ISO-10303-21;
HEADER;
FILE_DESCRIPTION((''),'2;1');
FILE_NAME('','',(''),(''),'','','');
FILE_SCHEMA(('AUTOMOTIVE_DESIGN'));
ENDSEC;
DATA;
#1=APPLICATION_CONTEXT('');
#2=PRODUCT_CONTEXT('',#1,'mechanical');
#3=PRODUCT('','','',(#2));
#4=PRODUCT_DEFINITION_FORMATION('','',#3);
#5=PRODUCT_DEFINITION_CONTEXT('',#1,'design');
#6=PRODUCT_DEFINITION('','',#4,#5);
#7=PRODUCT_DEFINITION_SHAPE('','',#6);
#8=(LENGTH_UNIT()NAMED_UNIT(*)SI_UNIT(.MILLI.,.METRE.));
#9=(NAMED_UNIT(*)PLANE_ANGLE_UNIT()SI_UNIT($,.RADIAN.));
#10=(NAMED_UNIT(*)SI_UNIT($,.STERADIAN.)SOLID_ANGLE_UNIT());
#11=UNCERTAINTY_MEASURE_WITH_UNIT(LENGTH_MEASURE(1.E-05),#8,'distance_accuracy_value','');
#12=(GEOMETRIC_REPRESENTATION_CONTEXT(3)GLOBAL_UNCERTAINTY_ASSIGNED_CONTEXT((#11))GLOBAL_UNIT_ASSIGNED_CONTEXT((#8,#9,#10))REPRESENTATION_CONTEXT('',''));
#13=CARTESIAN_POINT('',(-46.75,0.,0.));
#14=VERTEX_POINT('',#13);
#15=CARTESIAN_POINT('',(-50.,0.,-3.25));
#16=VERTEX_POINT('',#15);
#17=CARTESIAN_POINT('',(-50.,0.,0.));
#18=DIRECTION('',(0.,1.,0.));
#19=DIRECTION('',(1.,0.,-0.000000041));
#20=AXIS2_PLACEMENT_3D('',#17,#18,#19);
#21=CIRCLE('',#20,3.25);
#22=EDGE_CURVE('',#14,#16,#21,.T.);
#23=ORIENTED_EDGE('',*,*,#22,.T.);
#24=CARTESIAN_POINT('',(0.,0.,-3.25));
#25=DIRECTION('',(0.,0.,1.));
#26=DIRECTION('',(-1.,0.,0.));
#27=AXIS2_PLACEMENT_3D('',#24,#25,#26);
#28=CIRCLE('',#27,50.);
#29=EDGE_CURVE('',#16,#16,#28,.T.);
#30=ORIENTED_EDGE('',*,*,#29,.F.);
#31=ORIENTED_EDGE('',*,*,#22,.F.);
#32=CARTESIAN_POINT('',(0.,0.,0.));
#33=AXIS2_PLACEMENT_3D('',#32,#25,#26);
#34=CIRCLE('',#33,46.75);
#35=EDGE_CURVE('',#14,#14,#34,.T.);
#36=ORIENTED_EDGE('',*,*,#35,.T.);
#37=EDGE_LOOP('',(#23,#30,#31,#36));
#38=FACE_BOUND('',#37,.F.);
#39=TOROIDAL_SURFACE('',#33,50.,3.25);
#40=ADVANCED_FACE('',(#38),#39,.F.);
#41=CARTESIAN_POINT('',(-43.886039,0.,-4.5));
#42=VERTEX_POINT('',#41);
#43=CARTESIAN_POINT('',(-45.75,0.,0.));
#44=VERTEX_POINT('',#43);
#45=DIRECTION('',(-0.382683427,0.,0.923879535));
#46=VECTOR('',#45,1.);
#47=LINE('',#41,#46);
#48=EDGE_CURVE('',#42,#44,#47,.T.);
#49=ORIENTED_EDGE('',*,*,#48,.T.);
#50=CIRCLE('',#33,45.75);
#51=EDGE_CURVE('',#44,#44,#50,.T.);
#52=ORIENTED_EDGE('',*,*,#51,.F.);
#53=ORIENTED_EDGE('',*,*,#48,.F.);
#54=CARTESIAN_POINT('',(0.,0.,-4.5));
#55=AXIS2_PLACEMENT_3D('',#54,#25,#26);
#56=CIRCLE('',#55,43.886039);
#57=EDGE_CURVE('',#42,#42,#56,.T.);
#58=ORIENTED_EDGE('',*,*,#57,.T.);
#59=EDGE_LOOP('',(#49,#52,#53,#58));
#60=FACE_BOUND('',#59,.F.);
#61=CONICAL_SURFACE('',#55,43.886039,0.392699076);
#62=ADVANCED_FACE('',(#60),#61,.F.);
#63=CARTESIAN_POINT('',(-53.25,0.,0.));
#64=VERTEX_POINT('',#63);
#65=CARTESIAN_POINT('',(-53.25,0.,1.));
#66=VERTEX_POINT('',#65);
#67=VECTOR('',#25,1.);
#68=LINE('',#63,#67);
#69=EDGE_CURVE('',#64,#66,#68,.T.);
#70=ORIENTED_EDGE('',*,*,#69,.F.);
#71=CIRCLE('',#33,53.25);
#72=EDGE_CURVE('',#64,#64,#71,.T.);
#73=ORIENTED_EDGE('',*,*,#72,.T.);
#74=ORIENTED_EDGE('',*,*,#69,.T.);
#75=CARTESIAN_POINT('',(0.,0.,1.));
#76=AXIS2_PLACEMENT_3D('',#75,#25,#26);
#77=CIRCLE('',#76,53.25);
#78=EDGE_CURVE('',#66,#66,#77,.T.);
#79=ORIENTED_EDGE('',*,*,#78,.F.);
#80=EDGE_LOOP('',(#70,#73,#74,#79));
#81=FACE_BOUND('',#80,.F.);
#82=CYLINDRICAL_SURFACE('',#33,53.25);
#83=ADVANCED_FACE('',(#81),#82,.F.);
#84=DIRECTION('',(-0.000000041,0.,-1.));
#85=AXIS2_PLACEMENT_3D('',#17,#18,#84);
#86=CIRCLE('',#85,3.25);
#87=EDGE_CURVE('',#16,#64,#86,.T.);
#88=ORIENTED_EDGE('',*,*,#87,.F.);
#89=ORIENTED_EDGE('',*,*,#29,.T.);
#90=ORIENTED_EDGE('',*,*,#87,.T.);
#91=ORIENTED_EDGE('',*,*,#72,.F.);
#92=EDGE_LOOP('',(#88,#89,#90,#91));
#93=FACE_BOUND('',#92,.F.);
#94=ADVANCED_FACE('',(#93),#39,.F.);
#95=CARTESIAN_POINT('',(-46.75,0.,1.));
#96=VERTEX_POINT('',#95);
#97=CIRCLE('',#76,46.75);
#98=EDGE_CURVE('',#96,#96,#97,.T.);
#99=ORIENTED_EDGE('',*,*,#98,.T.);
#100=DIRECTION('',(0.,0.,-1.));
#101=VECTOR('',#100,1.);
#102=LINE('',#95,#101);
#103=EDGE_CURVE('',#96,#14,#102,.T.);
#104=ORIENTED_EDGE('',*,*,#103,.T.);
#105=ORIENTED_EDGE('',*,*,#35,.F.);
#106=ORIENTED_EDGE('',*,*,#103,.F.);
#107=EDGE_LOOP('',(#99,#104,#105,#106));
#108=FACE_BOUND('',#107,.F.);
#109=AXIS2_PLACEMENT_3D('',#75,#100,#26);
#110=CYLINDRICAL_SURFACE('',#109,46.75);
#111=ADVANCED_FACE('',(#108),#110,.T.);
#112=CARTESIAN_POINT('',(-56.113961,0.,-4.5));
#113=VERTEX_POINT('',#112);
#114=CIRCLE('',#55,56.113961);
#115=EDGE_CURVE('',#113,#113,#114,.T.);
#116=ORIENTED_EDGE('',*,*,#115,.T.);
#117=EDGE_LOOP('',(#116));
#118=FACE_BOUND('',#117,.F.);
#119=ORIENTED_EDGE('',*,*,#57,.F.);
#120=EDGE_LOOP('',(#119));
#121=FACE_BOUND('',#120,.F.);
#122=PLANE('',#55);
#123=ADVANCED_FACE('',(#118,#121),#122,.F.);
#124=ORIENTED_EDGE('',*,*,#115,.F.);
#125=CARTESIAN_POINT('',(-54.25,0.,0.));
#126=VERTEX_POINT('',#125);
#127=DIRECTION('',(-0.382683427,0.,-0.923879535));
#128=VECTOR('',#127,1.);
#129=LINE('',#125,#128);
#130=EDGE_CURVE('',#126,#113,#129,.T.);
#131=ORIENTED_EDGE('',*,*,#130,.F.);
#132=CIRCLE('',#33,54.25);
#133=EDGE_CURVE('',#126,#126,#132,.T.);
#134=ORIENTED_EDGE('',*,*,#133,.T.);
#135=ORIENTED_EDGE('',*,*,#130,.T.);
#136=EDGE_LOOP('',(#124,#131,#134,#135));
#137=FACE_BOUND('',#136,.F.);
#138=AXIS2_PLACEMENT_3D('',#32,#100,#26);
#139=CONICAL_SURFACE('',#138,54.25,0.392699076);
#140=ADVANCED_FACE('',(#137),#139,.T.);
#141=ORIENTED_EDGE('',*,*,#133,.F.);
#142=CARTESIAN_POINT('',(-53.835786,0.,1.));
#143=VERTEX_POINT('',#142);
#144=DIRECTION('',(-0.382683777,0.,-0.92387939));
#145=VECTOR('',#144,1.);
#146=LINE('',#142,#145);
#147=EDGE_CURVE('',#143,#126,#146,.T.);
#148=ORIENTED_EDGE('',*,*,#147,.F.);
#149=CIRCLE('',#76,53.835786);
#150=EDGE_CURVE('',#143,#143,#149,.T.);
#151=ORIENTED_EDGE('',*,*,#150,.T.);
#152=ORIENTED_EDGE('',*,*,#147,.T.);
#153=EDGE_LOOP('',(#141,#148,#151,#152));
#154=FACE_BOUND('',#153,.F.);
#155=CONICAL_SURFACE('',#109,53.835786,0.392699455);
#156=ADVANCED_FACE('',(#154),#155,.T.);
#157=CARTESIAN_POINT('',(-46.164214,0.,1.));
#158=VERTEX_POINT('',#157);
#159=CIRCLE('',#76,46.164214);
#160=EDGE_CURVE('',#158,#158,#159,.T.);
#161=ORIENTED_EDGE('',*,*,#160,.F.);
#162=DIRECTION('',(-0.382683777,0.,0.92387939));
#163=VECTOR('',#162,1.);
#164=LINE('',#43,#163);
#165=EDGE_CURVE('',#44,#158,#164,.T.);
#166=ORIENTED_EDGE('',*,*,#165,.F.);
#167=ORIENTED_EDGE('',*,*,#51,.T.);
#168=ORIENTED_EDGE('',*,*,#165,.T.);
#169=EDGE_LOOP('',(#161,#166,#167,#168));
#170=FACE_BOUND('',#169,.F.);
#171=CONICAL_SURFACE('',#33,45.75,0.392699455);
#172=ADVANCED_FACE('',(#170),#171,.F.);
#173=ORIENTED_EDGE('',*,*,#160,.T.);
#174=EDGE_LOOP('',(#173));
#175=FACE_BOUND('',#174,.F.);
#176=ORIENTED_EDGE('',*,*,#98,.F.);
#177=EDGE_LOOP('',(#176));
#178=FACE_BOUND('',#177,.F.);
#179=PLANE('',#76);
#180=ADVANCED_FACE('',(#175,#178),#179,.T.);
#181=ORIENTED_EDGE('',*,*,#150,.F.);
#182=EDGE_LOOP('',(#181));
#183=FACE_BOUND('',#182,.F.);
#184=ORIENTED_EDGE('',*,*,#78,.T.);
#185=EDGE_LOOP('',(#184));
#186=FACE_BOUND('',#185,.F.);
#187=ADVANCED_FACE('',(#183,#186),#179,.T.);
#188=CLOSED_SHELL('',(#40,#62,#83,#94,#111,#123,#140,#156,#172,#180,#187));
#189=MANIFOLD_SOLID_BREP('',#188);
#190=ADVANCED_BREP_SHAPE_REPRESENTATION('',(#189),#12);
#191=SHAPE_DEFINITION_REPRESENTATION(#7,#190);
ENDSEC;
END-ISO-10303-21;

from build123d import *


with BuildPart() as f1:
    # F0 (on Front) → F1 (revolve)
    with BuildSketch(Plane.XZ):
        with BuildLine():
            ThreePointArc((-50, -3.25), (-52.298097, -2.298097), (-53.25, 0))
            Line((-53.25, 0), (-54.25, 0))
            Line((-54.25, 0), (-56.113961, -4.5))
            Line((-56.113961, -4.5), (-50, -4.5))
            Line((-50, -4.5), (-50, -3.25))
        make_face()
        with BuildLine():
            Line((-43.886039, -4.5), (-45.75, 0))
            Line((-45.75, 0), (-46.75, 0))
            ThreePointArc((-46.75, 0), (-47.701903, -2.298097), (-50, -3.25))
            Line((-50, -3.25), (-50, -4.5))
            Line((-50, -4.5), (-43.886039, -4.5))
        make_face()
        Polygon((-54.25, 0), (-53.25, 0), (-53.25, 1), (-53.835786, 1), align=None)
        Polygon((-46.75, 0), (-45.75, 0), (-46.164214, 1), (-46.75, 1), align=None)
    revolve(axis=Axis((0, 0, 4.949271), (0, 0, 1)))


solid = f1.part
